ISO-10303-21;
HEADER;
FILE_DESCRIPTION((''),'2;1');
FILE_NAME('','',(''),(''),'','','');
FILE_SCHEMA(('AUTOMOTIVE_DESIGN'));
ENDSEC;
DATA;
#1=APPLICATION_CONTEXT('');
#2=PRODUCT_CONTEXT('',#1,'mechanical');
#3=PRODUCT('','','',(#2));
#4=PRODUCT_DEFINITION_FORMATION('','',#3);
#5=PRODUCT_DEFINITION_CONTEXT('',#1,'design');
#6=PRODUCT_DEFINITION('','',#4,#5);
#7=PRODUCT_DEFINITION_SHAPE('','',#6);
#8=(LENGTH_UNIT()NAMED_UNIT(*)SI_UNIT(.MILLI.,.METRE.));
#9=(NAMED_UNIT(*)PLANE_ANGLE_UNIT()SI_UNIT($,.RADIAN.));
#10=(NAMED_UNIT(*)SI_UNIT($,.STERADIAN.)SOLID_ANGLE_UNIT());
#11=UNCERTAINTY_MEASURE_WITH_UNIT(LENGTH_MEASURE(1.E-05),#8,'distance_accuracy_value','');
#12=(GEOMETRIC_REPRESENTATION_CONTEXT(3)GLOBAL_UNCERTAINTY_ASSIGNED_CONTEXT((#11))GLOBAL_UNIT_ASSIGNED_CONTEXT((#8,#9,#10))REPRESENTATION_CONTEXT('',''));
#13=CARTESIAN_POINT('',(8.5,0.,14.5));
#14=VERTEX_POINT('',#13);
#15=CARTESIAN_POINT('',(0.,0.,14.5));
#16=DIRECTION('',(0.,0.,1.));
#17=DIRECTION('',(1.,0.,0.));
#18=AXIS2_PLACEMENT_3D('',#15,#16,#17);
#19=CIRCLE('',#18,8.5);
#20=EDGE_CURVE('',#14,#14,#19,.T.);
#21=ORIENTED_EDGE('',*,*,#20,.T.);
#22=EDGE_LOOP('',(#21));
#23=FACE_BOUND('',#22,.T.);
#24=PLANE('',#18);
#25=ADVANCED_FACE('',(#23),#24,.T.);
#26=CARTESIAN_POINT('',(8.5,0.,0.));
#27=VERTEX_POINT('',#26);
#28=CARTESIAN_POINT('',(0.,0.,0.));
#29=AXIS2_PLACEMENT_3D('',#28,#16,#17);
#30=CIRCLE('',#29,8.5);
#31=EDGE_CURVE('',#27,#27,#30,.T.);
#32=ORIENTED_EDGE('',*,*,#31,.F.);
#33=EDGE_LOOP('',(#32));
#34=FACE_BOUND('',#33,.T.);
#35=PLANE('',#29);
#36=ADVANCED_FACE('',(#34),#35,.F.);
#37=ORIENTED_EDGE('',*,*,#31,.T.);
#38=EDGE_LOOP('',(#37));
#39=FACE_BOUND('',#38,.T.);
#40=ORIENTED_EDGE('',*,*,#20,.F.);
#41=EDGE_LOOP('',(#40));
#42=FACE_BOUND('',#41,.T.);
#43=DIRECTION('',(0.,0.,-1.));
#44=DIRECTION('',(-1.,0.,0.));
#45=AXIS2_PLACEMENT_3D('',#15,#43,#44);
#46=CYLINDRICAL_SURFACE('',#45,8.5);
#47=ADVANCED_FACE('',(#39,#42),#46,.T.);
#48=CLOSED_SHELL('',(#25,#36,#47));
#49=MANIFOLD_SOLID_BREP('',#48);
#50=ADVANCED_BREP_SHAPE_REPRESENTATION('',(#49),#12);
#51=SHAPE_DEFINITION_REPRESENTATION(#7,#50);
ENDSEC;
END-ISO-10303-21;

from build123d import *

# Parameters (mm, degrees)
SKETCH1_R           = 8.5
BOSS_EXTRUDE1_DEPTH = 14.5


with BuildPart() as part:
    # Sketch1 → Boss-Extrude1 (new body)
    with BuildSketch(Plane.XY):
        Circle(SKETCH1_R)
    extrude(amount=BOSS_EXTRUDE1_DEPTH)


solid = part.part
